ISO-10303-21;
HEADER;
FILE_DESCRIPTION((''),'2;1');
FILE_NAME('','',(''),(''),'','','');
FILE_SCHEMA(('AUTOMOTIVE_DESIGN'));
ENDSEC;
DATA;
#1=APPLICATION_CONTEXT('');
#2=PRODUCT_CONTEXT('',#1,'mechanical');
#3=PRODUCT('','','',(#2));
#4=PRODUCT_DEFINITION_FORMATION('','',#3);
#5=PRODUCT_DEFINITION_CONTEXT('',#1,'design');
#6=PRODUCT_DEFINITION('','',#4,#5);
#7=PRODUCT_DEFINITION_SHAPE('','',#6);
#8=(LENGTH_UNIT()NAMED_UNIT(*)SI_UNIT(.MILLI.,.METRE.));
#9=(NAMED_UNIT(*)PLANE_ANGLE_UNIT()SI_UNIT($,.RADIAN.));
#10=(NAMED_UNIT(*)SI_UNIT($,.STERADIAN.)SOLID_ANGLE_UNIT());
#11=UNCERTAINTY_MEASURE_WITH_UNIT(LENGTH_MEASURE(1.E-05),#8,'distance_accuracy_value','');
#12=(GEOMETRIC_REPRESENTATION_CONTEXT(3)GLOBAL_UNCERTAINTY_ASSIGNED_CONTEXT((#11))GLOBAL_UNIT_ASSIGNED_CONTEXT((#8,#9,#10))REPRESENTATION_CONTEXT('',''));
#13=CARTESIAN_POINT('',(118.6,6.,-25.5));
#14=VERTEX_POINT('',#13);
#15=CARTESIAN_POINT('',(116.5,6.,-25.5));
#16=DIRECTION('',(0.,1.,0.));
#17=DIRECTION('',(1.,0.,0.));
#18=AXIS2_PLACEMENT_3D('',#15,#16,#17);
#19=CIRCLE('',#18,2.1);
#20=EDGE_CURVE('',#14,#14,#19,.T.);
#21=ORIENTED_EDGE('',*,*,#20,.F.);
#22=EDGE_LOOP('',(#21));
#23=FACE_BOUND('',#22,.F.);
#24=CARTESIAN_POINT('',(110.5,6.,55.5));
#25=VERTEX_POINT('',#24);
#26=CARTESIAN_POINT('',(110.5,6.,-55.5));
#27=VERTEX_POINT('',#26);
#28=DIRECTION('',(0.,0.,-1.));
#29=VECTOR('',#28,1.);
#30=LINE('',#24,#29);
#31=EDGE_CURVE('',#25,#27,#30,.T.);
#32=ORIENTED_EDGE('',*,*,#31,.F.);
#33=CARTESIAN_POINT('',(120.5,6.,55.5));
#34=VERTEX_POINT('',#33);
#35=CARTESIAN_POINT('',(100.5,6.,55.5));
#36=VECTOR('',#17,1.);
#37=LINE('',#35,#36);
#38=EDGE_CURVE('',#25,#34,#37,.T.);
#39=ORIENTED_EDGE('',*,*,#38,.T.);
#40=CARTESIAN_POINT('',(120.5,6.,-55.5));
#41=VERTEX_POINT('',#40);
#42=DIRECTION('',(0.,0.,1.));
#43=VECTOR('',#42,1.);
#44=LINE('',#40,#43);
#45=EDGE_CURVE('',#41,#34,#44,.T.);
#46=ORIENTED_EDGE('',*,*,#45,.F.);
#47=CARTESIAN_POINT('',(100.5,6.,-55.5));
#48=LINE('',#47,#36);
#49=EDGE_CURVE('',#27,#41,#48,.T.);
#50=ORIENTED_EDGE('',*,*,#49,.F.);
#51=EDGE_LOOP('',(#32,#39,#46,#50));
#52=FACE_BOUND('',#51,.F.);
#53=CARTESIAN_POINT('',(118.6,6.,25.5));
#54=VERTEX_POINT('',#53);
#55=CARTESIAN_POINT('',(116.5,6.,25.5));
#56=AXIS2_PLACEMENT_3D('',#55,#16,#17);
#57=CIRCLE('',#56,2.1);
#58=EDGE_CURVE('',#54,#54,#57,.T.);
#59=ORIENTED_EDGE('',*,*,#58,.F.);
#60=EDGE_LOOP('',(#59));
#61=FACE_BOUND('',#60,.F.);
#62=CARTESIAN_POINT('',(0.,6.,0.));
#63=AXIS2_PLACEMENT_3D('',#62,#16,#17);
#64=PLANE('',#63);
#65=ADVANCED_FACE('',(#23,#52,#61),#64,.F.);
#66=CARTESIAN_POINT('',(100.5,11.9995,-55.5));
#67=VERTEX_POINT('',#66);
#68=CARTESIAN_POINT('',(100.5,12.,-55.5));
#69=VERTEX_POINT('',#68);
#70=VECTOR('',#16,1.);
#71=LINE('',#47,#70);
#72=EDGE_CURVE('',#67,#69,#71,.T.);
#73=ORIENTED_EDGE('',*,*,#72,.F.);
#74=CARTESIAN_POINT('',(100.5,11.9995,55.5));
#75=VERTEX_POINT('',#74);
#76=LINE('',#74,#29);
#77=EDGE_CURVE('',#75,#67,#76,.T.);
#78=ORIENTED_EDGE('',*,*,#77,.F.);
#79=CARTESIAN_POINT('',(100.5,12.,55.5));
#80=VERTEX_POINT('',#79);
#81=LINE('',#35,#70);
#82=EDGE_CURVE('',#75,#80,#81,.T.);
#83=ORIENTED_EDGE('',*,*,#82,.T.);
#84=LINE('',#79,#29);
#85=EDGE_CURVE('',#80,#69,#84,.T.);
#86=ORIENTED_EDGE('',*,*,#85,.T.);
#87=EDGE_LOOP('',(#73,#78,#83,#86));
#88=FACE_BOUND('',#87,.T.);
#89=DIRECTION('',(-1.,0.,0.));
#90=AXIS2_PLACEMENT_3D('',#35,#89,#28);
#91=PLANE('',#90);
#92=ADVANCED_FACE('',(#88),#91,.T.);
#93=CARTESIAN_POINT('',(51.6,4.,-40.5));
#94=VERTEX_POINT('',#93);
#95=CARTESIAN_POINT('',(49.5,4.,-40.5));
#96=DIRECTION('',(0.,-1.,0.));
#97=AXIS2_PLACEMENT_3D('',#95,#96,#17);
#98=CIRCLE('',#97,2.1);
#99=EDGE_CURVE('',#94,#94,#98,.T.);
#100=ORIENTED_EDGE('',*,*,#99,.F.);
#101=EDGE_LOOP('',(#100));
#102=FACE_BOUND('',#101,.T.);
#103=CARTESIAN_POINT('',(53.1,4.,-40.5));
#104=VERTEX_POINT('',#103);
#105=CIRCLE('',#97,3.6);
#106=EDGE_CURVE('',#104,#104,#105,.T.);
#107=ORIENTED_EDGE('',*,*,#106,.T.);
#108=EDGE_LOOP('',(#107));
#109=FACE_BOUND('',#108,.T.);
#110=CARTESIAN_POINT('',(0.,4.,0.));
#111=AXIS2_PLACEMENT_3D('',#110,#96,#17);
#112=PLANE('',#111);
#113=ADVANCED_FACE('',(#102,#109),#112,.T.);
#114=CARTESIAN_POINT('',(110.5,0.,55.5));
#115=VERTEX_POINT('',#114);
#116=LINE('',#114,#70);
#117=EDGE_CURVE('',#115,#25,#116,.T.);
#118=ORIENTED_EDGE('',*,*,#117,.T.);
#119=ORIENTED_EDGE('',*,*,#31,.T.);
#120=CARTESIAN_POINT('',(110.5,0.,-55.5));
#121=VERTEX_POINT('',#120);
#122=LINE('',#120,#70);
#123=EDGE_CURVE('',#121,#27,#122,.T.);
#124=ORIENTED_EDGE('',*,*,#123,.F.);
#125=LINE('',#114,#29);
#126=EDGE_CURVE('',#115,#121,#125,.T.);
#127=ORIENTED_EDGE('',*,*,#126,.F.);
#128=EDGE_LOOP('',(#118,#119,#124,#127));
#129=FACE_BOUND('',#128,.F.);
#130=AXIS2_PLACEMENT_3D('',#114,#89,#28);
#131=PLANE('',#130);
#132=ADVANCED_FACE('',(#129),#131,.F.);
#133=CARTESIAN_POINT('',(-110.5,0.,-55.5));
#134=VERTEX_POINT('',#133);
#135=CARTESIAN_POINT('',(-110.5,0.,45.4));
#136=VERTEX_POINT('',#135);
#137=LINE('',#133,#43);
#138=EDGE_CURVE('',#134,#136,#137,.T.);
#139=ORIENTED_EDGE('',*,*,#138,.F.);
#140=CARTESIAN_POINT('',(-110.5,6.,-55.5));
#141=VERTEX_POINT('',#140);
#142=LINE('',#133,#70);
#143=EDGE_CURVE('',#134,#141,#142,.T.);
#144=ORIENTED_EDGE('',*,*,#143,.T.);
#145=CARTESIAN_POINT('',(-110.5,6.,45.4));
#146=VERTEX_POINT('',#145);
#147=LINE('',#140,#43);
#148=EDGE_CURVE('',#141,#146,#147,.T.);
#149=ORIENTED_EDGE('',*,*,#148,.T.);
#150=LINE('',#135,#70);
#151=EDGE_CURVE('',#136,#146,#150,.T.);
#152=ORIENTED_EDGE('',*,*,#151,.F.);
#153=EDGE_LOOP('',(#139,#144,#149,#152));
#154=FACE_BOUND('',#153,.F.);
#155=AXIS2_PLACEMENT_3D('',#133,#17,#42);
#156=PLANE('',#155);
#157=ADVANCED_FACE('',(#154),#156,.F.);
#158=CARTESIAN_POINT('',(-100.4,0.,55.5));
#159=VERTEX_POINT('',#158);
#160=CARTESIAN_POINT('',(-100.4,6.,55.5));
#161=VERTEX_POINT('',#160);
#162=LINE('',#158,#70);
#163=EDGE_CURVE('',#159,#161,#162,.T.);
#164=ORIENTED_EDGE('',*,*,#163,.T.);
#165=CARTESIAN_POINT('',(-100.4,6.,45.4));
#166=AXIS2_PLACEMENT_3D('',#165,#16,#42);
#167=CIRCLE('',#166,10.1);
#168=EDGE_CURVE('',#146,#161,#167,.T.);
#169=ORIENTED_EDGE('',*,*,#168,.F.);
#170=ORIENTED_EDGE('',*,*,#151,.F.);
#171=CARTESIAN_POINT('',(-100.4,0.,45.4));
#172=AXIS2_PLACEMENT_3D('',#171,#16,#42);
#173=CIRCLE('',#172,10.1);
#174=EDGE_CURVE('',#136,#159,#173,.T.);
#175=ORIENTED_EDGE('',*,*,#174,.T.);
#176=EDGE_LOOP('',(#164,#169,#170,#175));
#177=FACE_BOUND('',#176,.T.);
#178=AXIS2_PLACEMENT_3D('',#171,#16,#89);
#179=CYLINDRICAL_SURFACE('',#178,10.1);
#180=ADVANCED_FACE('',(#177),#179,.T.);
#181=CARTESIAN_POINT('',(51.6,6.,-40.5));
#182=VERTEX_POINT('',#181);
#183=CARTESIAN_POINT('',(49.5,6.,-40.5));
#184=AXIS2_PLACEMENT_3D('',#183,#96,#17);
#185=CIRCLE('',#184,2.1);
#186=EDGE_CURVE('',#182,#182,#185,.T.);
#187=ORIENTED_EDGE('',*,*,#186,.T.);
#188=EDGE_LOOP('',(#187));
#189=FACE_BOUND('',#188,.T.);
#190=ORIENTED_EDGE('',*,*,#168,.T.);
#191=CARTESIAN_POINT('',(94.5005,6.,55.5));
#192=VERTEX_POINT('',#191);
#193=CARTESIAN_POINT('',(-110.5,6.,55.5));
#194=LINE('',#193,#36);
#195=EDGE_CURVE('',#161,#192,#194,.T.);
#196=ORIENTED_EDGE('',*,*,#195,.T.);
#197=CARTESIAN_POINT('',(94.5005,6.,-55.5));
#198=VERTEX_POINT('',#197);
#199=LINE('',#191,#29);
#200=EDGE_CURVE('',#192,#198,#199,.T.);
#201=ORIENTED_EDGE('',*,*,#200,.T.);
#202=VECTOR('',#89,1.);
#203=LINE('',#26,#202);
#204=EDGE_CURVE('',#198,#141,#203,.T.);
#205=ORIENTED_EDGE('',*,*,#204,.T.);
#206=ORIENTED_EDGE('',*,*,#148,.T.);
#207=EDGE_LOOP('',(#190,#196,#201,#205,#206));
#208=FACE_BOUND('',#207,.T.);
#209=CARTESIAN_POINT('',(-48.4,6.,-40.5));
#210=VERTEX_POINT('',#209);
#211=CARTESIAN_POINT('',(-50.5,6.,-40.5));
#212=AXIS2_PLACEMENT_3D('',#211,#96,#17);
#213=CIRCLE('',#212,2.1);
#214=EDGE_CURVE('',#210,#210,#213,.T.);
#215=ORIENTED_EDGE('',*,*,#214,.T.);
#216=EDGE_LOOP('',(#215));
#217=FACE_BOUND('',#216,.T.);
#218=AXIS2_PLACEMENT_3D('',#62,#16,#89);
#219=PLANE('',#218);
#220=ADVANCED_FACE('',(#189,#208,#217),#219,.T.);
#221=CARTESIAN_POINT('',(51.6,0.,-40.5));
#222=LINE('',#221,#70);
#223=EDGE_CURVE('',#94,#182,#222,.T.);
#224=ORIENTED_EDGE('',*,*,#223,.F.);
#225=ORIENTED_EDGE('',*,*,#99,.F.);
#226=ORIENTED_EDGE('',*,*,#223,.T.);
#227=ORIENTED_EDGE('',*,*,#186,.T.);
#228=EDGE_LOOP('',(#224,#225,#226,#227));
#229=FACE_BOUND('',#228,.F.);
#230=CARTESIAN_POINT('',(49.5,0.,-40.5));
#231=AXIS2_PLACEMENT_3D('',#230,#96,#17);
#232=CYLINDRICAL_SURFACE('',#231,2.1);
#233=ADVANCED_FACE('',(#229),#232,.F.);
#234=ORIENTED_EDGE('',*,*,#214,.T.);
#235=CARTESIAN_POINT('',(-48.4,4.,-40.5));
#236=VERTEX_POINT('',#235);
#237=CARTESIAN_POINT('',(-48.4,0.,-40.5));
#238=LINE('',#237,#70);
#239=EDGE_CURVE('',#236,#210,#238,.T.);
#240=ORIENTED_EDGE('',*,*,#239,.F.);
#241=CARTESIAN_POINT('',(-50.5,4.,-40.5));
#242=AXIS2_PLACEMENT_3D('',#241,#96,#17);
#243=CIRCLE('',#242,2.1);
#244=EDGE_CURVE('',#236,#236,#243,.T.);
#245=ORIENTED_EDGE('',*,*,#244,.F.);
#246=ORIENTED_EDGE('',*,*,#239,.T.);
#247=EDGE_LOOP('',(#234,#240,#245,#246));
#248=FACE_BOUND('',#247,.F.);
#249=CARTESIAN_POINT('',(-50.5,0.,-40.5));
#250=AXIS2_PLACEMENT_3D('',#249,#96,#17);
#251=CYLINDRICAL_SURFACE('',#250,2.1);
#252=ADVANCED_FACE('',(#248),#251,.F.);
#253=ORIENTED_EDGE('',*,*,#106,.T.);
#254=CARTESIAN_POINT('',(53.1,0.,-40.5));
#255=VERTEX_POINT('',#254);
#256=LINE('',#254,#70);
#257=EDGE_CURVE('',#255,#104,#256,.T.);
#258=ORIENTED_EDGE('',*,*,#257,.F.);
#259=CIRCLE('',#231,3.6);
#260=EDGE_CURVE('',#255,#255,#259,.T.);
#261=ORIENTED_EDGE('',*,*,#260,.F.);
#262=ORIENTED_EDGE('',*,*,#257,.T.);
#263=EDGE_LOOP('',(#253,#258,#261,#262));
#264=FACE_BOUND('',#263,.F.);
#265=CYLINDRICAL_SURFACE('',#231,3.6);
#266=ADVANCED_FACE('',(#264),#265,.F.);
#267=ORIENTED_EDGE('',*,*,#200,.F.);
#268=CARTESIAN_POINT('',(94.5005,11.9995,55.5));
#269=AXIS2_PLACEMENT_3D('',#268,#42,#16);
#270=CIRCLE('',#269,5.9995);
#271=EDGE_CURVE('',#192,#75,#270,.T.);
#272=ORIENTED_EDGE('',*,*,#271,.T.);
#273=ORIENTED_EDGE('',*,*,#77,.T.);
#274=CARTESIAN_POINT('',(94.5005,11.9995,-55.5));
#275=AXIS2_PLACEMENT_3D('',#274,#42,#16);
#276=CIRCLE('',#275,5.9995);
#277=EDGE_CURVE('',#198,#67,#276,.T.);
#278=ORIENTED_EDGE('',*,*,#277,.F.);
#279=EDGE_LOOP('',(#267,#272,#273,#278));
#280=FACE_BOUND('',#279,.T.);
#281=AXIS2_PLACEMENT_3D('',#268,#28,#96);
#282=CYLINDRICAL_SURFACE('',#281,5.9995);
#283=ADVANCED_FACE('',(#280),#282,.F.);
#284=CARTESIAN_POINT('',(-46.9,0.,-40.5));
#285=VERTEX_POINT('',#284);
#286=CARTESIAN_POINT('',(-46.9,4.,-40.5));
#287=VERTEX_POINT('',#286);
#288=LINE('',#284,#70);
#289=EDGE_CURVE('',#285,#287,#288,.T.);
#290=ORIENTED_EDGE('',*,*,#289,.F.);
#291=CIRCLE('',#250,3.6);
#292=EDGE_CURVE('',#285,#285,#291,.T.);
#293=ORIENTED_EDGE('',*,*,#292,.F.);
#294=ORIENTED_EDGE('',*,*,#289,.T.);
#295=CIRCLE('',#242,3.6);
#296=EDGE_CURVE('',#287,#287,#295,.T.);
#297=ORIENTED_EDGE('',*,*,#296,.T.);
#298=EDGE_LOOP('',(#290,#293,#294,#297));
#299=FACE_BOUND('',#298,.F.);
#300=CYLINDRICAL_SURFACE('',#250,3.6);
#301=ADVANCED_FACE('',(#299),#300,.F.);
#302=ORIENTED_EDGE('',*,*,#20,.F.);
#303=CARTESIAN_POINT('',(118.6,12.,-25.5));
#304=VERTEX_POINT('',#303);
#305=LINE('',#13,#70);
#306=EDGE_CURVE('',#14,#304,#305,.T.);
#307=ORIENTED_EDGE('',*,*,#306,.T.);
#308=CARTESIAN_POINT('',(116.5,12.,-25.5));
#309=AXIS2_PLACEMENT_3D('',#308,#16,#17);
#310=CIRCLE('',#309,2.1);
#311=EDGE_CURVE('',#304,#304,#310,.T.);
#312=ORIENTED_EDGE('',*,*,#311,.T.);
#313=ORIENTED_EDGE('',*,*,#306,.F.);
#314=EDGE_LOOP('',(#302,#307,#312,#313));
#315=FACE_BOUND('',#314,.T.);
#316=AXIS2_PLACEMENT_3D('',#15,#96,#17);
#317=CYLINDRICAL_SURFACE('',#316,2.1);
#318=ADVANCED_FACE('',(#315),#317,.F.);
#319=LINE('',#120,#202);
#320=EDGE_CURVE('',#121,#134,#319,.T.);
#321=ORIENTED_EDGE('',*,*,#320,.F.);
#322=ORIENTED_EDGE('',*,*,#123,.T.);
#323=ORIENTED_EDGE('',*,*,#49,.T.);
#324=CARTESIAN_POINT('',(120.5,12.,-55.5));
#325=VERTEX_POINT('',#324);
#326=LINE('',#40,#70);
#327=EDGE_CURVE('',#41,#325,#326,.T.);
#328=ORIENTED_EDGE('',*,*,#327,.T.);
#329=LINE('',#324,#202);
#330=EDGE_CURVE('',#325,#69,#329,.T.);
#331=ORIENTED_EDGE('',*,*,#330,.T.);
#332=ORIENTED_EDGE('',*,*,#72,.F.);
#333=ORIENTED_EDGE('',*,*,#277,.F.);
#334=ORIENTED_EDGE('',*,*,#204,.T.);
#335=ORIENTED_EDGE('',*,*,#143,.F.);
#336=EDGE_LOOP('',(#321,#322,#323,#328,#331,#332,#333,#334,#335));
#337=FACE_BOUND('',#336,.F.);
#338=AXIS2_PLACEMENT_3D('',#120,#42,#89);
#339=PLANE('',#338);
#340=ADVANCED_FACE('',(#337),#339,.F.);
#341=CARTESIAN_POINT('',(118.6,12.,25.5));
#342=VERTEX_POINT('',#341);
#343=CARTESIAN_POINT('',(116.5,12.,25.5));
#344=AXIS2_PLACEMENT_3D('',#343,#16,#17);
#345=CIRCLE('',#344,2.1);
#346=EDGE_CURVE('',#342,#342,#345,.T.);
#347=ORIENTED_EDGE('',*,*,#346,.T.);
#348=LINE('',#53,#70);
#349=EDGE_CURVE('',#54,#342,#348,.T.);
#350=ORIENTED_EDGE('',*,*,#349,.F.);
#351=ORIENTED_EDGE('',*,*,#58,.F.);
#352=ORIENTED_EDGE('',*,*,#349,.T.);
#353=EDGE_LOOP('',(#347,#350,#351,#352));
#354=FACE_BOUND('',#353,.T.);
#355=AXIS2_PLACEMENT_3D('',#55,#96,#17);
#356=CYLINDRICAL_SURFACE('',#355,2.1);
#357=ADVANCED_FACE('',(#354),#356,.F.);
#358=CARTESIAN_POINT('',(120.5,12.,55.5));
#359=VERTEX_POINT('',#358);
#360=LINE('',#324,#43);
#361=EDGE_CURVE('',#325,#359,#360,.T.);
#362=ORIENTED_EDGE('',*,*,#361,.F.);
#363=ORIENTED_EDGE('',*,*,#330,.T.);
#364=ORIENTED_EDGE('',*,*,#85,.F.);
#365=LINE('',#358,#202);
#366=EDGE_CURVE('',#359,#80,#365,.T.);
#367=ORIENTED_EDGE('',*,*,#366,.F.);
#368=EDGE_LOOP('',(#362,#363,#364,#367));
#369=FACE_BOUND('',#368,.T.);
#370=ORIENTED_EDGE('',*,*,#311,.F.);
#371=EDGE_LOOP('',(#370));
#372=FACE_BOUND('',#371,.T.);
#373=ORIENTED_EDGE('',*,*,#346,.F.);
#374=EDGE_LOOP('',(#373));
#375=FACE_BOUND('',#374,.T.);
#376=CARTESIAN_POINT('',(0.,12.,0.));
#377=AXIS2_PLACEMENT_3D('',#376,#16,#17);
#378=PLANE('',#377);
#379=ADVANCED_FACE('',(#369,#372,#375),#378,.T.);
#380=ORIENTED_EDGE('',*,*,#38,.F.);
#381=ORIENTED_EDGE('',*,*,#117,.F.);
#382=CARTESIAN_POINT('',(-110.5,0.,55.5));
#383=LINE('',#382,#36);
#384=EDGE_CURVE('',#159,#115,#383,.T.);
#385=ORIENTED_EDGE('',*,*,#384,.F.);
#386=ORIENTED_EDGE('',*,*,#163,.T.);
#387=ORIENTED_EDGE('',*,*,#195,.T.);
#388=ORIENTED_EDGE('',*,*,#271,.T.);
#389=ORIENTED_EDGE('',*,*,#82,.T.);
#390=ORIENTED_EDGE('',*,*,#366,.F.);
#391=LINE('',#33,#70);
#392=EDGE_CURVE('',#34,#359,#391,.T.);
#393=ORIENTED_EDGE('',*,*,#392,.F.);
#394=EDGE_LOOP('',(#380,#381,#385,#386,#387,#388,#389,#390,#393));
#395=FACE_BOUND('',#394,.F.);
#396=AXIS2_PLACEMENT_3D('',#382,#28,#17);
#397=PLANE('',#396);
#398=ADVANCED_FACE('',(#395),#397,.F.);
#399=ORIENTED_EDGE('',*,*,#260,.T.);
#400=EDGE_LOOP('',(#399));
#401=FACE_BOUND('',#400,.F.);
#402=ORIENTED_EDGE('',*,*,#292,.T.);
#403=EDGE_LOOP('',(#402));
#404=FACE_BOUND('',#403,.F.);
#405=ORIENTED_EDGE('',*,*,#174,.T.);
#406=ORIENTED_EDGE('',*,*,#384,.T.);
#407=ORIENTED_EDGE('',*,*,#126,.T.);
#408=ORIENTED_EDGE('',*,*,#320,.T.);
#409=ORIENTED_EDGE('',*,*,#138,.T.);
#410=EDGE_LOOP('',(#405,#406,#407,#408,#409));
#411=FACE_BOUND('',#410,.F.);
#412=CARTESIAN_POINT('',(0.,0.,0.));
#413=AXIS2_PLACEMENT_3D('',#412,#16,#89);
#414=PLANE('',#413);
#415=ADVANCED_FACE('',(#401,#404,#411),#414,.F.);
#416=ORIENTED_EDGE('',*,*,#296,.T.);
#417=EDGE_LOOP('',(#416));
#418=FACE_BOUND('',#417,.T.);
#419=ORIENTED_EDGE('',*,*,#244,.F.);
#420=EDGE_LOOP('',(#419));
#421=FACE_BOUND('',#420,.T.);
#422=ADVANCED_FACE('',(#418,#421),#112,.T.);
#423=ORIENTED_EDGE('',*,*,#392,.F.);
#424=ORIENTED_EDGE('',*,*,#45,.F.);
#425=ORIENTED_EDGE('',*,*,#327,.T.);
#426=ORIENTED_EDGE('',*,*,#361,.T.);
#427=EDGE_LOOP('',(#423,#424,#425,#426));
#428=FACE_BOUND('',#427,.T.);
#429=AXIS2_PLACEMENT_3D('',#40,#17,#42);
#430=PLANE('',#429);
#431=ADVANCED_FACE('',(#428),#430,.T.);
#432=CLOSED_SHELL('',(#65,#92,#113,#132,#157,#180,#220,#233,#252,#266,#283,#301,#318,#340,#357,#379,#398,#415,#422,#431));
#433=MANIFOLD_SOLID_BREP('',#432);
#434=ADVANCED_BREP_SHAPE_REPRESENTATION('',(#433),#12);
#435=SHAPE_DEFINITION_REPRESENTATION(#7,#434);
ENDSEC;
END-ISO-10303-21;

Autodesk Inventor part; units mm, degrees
ref_plane "YZ Plane" through (0, 0, 0) normal (1, 0, 0) x (0, 1, 0)
ref_plane "XZ Plane" through (0, 0, 0) normal (0, 1, 0) x (-1, 0, 0)
ref_plane "XY Plane" through (0, 0, 0) normal (0, 0, 1) x (1, 0, 0)
sketch "草图1" plane through (0, 0, 0) normal (0, 1, 0) x (-1, 0, 0)
  line L0 (110.5, 55.5) -> (-110.5, 55.5)
  line L1 (-110.5, 55.5) -> (-110.5, -55.5)
  line L2 (-110.5, -55.5) -> (110.5, -55.5)
  line L3 (110.5, -55.5) -> (110.5, 55.5)
  line L4 (0, 7.5575) -> (0, -11)
  line L5 (8.5019, 0) -> (-7, 0)
  point P0 (0, 0)
  dimension "d0" = 221
  dimension "d1" = 111
extrude "拉伸1" add sketch "草图1" along normal blind 6
fillet "圆角1" radius 10.1 1 edges at (-110.5, 3, 55.5)
sketch "草图2" plane through (0, 6, 0) normal (0, 1, 0) x (1, 0, 0)
  line L0 (110.5, 55.5) -> (-110.5, 55.5) projected
  line L1 (100.5, 55.5) -> (120.5, 55.5)
  line L2 (120.5, 55.5) -> (120.5, -55.5)
  line L3 (120.5, -55.5) -> (100.5, -55.5)
  line L4 (100.5, -55.5) -> (100.5, 55.5)
  line L5 (110.5, -55.5) -> (110.5, 55.5) projected
  line L6 (-100.4, -55.5) -> (110.5, -55.5) projected
  circle A0 centre (116.5, 25.5) radius 2.1
  circle A1 centre (116.5, -25.5) radius 2.1
  point P0 (0, 0)
  dimension "d5" = 20
  dimension "d6" = 10
  dimension "d7" = 4.2
  dimension "d8" = 4.2
  dimension "d9" = 4
  dimension "d10" = 4
  dimension "d11" = 30
  dimension "d12" = 30
extrude "拉伸2" add sketch "草图2" along normal blind 6
fillet "圆角2" radius 6 1 edges at (100.5, 6, 0)
sketch "草图3" plane through (0, 0, 0) normal (0, -1, 0) x (1, 0, 0)
  circle A0 centre (-50.5, -40.5) radius 2.1
  circle A1 centre (49.5, -40.5) radius 2.1
  line L0 (110.5, -55.5) -> (-110.5, -55.5) projected
  line L1 (-110.5, -55.5) -> (-110.5, 45.4) projected
  point P0 (0, 0)
  dimension "d16" = 4.2
  dimension "d17" = 4.2
  dimension "d18" = 15
  dimension "d19" = 15
  dimension "d20" = 60
  dimension "d21" = 100
extrude "拉伸3" cut sketch "草图3" against normal blind 10
sketch "草图4" plane through (0, 0, 0) normal (0, -1, 0) x (1, 0, 0)
  circle A0 centre (-50.5, -40.5) radius 2.1 projected
  circle A1 centre (-50.5, -40.5) radius 3.6
  circle A2 centre (49.5, -40.5) radius 2.1 projected
  circle A3 centre (49.5, -40.5) radius 3.6
  point P0 (0, 0)
  dimension "d24" = 7.2
  dimension "d25" = 7.2
extrude "拉伸4" cut sketch "草图4" against normal blind 4 contours A0 | A1 | A2 | A3
properties part number "底板_A"
